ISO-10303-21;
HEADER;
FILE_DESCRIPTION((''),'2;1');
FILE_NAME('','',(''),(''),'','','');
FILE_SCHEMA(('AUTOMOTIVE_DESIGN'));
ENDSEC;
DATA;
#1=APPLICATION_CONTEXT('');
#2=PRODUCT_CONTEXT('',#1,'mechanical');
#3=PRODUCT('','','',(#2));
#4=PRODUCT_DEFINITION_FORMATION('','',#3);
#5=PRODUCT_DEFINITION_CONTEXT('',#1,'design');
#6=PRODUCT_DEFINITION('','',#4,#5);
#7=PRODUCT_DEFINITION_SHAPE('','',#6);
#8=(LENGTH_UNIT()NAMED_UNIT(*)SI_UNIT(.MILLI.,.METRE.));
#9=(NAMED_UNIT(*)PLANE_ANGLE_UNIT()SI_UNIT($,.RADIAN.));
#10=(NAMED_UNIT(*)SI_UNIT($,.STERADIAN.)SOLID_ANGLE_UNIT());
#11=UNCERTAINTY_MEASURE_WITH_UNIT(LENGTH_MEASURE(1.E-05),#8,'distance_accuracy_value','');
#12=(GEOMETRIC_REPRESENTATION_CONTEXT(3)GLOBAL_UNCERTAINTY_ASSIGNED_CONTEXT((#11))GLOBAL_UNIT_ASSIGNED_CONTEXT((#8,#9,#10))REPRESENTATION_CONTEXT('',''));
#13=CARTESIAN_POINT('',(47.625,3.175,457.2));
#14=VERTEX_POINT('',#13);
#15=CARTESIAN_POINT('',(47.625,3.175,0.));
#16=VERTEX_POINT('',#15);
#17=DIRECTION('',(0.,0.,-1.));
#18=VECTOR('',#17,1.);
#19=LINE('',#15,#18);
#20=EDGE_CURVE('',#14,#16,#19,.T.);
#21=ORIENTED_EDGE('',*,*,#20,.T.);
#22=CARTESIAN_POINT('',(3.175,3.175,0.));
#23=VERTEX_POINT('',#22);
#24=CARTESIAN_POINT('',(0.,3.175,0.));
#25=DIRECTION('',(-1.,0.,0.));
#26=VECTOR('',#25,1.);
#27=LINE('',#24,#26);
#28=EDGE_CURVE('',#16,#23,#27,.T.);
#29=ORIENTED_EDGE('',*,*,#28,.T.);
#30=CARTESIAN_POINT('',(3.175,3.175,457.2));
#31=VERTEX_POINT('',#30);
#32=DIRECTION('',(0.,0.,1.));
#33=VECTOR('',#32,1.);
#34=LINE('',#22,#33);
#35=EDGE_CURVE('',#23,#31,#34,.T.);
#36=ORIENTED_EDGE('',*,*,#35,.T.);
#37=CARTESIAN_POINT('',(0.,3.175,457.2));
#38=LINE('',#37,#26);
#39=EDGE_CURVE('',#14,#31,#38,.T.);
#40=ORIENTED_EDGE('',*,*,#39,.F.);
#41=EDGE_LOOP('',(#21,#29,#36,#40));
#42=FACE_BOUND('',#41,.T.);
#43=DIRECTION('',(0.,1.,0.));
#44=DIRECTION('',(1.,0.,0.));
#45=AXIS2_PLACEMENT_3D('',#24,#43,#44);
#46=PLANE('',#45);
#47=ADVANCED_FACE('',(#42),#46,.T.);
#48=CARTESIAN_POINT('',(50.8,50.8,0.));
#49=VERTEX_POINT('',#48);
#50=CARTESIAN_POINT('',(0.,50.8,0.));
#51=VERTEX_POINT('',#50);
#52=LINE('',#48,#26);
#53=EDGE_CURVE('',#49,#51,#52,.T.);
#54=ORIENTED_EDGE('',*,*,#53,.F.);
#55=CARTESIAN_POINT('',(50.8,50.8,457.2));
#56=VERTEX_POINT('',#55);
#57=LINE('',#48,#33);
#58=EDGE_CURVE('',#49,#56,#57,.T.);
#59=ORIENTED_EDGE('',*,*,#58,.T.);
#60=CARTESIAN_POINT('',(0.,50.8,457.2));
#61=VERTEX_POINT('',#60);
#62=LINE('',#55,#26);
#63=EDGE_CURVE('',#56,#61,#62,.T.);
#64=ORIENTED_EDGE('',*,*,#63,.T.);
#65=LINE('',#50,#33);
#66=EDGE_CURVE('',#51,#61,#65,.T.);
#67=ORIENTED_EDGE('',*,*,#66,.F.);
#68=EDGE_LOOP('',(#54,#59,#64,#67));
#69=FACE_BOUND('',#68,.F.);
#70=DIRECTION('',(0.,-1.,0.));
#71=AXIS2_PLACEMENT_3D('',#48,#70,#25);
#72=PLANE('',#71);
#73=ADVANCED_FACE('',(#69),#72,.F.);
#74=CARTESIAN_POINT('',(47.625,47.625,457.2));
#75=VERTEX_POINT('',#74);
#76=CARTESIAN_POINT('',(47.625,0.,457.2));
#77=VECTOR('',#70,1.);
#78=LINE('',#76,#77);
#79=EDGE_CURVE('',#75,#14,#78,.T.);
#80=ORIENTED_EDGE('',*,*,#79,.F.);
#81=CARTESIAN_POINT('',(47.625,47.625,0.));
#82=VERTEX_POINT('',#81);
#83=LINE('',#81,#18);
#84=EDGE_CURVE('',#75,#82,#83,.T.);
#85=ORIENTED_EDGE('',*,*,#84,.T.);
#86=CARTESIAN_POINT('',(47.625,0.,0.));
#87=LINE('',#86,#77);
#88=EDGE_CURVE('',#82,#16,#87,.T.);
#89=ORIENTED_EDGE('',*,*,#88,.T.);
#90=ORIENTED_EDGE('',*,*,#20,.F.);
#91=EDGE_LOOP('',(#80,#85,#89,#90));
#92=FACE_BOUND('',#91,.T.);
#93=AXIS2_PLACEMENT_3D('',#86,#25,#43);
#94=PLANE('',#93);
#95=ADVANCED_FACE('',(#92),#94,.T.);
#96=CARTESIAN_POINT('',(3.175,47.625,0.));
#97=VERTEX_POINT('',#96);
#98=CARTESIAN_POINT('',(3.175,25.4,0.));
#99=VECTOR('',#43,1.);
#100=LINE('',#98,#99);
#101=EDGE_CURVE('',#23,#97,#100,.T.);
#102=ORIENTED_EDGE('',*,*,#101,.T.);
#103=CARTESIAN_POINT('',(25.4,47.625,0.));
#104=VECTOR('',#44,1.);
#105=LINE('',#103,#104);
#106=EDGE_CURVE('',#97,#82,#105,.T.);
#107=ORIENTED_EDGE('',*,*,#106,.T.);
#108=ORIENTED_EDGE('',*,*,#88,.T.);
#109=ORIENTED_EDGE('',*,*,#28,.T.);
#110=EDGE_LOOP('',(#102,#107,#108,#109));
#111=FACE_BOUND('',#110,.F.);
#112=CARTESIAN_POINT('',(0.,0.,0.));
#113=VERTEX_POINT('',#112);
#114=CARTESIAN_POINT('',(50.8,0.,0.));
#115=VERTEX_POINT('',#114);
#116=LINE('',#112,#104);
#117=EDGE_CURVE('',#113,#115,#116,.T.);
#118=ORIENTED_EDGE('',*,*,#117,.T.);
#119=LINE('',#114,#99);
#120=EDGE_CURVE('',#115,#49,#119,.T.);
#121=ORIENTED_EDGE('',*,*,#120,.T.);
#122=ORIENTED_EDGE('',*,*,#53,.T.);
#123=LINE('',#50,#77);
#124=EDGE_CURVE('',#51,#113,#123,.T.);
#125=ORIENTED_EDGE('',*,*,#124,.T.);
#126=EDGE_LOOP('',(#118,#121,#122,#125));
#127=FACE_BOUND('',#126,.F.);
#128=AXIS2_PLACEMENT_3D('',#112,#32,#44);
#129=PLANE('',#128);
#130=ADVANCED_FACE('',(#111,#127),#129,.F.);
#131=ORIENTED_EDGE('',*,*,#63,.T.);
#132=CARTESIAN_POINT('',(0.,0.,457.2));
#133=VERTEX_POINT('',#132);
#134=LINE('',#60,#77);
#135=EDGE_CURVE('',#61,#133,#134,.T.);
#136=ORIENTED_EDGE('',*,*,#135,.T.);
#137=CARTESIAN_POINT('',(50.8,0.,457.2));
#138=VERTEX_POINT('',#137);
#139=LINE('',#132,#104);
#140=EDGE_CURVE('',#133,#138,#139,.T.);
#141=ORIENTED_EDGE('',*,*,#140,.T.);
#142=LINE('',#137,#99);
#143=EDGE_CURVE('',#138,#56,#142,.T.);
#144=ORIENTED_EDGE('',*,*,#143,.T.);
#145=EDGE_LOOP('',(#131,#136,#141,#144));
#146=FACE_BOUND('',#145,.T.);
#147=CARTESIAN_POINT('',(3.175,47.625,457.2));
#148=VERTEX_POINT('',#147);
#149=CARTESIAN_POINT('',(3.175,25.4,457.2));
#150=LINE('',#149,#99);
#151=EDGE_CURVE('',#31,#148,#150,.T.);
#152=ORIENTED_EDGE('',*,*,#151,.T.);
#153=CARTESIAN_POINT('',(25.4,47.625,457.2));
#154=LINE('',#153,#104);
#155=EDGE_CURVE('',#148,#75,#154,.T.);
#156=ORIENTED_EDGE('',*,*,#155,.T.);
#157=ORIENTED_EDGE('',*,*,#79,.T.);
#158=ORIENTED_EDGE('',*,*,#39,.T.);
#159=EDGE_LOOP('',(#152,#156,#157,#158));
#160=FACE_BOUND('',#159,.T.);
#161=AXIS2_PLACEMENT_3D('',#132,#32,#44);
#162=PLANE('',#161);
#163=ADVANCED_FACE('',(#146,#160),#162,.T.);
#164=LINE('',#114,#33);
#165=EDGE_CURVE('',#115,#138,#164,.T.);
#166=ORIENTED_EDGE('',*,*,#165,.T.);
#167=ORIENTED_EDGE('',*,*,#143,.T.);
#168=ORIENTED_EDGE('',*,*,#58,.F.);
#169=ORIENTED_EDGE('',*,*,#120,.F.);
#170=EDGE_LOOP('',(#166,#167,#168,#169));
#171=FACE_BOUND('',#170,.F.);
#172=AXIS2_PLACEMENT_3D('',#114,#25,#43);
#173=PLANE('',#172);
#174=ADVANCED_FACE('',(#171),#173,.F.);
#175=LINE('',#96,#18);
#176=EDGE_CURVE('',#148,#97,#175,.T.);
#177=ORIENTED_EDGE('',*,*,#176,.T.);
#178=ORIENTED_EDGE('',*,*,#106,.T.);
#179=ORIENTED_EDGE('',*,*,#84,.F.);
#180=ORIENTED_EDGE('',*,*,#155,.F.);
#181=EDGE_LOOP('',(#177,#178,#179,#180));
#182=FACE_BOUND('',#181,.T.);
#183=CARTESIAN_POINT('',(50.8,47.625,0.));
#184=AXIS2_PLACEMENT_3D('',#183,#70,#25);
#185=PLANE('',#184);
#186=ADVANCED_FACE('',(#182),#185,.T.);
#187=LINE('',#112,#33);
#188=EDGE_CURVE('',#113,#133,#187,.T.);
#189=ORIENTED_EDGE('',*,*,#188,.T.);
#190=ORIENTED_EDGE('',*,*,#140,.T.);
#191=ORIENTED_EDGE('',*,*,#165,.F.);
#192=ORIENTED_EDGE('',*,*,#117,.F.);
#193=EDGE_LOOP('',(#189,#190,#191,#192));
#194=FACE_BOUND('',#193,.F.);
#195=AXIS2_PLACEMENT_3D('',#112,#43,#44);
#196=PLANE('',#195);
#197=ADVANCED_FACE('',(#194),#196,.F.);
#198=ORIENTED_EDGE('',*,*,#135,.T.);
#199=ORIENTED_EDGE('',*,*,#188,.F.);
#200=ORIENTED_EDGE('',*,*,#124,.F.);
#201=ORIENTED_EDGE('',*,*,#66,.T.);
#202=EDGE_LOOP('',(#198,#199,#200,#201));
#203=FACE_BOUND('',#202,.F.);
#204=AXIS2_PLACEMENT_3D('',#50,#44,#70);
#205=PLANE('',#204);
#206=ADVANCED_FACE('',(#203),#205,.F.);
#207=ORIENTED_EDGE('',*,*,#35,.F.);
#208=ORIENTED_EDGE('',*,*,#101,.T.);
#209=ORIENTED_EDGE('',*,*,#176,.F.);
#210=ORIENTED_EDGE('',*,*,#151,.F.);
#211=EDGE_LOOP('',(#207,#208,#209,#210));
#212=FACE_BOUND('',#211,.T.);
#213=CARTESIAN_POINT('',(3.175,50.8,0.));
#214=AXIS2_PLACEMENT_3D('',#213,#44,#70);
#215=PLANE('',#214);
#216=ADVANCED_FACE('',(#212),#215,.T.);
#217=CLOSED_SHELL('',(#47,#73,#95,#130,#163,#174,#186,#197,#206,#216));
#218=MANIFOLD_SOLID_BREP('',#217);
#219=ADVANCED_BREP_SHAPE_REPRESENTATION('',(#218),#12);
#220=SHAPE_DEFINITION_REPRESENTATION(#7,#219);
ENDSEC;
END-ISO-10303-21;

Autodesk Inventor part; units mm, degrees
ref_plane "YZ Plane" through (0, 0, 0) normal (1, 0, 0) x (0, 1, 0)
ref_plane "XZ Plane" through (0, 0, 0) normal (0, 1, 0) x (-1, 0, 0)
ref_plane "XY Plane" through (0, 0, 0) normal (0, 0, 1) x (1, 0, 0)
sketch "Sketch1" plane through (0, 0, 0) normal (0, 0, 1) x (1, 0, 0)
  line L0 (0, 0) -> (50.8, 0)
  line L1 (50.8, 0) -> (50.8, 50.8)
  line L2 (50.8, 50.8) -> (0, 50.8)
  line L3 (0, 50.8) -> (0, 0)
  dimension "d0" = 50.8
  dimension "d1" = 50.8
extrude "Extrusion1" add sketch "Sketch1" along normal blind 457.2
shell "Shell1" thickness 3.175 removed faces 2 at (16.9333, 33.8667, 0) at (16.9333, 33.8667, 457.2)
properties part number "VerticalTower" material "Aluminum-6061"
